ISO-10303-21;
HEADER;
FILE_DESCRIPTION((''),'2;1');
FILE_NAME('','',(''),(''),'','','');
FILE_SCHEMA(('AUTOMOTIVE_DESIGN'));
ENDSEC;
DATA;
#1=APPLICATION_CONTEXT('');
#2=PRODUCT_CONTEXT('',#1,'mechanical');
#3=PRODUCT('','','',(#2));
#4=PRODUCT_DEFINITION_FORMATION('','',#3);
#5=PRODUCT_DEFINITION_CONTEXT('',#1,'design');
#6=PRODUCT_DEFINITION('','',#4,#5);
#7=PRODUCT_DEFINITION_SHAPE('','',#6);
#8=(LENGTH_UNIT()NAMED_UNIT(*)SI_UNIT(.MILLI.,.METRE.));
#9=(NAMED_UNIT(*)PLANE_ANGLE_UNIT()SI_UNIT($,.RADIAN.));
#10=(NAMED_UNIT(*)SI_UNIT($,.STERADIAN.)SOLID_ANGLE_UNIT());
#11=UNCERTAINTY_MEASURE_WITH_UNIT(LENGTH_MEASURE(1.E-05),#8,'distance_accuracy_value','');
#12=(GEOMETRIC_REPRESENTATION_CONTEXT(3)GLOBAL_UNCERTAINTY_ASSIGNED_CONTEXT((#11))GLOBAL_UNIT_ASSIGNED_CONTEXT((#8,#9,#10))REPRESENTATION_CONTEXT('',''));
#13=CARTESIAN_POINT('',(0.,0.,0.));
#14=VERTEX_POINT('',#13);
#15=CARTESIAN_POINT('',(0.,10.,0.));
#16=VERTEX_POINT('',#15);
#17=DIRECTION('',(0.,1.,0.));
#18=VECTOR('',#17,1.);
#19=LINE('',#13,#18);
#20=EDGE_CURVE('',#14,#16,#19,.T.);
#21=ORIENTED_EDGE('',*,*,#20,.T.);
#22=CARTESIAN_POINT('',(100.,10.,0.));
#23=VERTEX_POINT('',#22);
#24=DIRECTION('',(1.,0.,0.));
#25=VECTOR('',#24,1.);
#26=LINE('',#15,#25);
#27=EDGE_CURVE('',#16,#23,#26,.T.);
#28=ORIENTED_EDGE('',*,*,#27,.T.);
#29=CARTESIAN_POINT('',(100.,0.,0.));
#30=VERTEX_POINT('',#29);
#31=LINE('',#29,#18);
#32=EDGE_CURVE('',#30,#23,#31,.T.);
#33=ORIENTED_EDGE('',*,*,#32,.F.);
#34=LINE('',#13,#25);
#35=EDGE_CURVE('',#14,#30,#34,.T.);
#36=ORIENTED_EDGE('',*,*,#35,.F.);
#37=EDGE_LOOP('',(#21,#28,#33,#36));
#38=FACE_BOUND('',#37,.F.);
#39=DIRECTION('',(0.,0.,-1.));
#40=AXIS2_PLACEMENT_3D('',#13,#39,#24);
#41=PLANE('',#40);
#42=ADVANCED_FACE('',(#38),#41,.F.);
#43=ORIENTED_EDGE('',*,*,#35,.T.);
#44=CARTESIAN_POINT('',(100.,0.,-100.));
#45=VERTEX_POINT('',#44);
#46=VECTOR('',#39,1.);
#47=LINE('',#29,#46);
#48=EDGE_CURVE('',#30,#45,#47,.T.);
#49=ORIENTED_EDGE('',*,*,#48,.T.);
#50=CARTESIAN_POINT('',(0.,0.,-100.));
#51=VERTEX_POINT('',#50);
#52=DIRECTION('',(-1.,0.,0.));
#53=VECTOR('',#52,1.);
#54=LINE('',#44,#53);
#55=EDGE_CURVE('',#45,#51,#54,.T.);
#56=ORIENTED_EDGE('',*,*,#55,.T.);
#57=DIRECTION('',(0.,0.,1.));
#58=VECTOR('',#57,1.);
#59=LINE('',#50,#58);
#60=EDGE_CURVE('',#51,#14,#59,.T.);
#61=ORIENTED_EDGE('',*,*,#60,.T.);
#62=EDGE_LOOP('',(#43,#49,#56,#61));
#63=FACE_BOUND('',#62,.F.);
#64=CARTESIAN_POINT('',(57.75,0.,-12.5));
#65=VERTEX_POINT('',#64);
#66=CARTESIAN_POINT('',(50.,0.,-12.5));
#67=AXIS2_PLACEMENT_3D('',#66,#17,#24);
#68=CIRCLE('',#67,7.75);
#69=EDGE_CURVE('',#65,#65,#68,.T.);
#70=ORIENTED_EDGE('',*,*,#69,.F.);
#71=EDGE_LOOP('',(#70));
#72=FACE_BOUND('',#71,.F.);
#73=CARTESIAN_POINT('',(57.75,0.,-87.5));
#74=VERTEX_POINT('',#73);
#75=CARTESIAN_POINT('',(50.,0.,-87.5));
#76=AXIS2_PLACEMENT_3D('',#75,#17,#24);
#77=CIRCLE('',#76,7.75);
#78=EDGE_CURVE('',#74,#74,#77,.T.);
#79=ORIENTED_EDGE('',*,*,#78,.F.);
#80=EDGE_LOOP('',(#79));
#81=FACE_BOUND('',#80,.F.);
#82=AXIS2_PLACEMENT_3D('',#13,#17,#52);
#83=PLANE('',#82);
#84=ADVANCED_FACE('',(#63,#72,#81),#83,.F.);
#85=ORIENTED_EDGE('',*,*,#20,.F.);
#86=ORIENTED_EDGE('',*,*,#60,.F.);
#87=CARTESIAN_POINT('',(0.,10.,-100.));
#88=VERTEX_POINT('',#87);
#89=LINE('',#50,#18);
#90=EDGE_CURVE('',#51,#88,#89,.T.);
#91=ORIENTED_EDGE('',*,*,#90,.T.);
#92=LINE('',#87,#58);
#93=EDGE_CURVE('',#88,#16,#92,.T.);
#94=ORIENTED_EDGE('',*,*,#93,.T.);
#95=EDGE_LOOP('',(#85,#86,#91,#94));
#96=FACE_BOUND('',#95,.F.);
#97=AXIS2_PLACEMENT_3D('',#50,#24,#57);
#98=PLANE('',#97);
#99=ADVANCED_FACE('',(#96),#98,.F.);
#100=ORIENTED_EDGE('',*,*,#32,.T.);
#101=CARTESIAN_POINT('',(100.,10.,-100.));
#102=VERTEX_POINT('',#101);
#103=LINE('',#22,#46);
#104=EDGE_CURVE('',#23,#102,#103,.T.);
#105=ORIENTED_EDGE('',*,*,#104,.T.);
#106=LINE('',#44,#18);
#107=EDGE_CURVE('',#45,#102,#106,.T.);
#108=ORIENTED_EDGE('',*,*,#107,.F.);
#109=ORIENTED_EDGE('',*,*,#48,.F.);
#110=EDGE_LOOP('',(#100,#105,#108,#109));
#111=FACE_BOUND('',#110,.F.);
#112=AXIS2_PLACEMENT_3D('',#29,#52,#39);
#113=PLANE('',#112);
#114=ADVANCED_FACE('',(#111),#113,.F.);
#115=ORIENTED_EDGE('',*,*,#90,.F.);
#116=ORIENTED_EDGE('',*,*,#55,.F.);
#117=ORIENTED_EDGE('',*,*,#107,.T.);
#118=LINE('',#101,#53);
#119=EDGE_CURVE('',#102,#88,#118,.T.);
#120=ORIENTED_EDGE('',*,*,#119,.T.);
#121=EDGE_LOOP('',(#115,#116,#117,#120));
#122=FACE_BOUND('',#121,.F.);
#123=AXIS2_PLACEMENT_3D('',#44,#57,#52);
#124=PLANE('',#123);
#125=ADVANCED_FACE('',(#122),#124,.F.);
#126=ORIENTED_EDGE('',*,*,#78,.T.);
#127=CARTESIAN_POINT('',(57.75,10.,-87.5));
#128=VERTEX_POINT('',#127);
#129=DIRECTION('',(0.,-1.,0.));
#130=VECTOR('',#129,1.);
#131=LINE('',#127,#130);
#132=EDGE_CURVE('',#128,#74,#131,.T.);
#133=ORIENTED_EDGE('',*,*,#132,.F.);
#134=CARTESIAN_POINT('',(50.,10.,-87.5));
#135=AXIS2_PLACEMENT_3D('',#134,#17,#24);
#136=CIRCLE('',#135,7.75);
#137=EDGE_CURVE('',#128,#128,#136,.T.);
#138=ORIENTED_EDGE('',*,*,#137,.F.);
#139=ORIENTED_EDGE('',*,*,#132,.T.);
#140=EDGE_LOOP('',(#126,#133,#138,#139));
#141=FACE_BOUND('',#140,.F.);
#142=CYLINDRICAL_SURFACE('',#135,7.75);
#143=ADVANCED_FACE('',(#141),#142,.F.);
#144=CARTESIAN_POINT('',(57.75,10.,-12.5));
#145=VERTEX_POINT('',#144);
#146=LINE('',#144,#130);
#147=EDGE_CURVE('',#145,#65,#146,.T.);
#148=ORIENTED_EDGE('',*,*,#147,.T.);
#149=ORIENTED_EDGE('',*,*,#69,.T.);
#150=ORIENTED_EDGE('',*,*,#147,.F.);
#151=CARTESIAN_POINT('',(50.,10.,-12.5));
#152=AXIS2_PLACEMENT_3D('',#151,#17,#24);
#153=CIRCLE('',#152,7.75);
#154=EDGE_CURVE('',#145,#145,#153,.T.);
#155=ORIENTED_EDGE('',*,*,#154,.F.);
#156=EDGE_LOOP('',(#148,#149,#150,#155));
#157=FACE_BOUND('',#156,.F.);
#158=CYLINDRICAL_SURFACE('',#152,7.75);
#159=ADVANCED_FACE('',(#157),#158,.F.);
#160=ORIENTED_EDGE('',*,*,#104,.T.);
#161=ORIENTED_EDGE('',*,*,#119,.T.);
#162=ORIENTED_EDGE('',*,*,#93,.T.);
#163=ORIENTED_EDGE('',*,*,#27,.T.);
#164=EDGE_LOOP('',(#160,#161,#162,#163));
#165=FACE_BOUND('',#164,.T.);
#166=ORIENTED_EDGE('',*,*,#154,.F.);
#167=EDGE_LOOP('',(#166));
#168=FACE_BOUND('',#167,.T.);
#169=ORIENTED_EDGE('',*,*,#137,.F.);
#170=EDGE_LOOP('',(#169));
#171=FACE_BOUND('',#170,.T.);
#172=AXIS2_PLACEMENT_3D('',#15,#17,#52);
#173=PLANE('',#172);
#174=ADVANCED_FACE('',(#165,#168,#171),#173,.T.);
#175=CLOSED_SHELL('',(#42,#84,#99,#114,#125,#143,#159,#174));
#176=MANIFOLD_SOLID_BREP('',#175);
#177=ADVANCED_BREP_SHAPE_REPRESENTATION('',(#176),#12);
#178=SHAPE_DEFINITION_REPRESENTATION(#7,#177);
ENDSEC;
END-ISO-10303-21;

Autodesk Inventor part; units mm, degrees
ref_plane "YZ Plane" through (0, 0, 0) normal (1, 0, 0) x (0, 1, 0)
ref_plane "XZ Plane" through (0, 0, 0) normal (0, 1, 0) x (-1, 0, 0)
ref_plane "XY Plane" through (0, 0, 0) normal (0, 0, 1) x (1, 0, 0)
sketch "Sketch1" plane through (0, 0, 0) normal (0, 1, 0) x (-1, 0, 0)
  line L0 (0, 0) -> (-100, 0)
  line L1 (-100, 0) -> (-100, -100)
  line L2 (-100, -100) -> (0, -100)
  line L3 (0, -100) -> (0, 0)
  dimension "d0" = 100
  dimension "d1" = 100
extrude "Extrusion1" add sketch "Sketch1" along normal blind 10
sketch "Sketch2" plane through (0, 10, 0) normal (0, 1, 0) x (1, 0, 0)
  circle A0 centre (50, 12.5) radius 7.75
  circle A1 centre (50, 87.5) radius 7.75
  line L0 (0, 0) -> (100, 0) projected
  line L1 (0, 100) -> (0, 0) projected
  line L2 (100, 100) -> (0, 100) projected
  dimension "d4" = 15.5
  dimension "d5" = 15.5
  dimension "d6" = 12.5
  dimension "d7" = 50
  dimension "d8" = 12.5
  dimension "d9" = 50
extrude "Extrusion2" cut sketch "Sketch2" against normal blind 10
properties part number "Ba" material "Wood (Oak)"
